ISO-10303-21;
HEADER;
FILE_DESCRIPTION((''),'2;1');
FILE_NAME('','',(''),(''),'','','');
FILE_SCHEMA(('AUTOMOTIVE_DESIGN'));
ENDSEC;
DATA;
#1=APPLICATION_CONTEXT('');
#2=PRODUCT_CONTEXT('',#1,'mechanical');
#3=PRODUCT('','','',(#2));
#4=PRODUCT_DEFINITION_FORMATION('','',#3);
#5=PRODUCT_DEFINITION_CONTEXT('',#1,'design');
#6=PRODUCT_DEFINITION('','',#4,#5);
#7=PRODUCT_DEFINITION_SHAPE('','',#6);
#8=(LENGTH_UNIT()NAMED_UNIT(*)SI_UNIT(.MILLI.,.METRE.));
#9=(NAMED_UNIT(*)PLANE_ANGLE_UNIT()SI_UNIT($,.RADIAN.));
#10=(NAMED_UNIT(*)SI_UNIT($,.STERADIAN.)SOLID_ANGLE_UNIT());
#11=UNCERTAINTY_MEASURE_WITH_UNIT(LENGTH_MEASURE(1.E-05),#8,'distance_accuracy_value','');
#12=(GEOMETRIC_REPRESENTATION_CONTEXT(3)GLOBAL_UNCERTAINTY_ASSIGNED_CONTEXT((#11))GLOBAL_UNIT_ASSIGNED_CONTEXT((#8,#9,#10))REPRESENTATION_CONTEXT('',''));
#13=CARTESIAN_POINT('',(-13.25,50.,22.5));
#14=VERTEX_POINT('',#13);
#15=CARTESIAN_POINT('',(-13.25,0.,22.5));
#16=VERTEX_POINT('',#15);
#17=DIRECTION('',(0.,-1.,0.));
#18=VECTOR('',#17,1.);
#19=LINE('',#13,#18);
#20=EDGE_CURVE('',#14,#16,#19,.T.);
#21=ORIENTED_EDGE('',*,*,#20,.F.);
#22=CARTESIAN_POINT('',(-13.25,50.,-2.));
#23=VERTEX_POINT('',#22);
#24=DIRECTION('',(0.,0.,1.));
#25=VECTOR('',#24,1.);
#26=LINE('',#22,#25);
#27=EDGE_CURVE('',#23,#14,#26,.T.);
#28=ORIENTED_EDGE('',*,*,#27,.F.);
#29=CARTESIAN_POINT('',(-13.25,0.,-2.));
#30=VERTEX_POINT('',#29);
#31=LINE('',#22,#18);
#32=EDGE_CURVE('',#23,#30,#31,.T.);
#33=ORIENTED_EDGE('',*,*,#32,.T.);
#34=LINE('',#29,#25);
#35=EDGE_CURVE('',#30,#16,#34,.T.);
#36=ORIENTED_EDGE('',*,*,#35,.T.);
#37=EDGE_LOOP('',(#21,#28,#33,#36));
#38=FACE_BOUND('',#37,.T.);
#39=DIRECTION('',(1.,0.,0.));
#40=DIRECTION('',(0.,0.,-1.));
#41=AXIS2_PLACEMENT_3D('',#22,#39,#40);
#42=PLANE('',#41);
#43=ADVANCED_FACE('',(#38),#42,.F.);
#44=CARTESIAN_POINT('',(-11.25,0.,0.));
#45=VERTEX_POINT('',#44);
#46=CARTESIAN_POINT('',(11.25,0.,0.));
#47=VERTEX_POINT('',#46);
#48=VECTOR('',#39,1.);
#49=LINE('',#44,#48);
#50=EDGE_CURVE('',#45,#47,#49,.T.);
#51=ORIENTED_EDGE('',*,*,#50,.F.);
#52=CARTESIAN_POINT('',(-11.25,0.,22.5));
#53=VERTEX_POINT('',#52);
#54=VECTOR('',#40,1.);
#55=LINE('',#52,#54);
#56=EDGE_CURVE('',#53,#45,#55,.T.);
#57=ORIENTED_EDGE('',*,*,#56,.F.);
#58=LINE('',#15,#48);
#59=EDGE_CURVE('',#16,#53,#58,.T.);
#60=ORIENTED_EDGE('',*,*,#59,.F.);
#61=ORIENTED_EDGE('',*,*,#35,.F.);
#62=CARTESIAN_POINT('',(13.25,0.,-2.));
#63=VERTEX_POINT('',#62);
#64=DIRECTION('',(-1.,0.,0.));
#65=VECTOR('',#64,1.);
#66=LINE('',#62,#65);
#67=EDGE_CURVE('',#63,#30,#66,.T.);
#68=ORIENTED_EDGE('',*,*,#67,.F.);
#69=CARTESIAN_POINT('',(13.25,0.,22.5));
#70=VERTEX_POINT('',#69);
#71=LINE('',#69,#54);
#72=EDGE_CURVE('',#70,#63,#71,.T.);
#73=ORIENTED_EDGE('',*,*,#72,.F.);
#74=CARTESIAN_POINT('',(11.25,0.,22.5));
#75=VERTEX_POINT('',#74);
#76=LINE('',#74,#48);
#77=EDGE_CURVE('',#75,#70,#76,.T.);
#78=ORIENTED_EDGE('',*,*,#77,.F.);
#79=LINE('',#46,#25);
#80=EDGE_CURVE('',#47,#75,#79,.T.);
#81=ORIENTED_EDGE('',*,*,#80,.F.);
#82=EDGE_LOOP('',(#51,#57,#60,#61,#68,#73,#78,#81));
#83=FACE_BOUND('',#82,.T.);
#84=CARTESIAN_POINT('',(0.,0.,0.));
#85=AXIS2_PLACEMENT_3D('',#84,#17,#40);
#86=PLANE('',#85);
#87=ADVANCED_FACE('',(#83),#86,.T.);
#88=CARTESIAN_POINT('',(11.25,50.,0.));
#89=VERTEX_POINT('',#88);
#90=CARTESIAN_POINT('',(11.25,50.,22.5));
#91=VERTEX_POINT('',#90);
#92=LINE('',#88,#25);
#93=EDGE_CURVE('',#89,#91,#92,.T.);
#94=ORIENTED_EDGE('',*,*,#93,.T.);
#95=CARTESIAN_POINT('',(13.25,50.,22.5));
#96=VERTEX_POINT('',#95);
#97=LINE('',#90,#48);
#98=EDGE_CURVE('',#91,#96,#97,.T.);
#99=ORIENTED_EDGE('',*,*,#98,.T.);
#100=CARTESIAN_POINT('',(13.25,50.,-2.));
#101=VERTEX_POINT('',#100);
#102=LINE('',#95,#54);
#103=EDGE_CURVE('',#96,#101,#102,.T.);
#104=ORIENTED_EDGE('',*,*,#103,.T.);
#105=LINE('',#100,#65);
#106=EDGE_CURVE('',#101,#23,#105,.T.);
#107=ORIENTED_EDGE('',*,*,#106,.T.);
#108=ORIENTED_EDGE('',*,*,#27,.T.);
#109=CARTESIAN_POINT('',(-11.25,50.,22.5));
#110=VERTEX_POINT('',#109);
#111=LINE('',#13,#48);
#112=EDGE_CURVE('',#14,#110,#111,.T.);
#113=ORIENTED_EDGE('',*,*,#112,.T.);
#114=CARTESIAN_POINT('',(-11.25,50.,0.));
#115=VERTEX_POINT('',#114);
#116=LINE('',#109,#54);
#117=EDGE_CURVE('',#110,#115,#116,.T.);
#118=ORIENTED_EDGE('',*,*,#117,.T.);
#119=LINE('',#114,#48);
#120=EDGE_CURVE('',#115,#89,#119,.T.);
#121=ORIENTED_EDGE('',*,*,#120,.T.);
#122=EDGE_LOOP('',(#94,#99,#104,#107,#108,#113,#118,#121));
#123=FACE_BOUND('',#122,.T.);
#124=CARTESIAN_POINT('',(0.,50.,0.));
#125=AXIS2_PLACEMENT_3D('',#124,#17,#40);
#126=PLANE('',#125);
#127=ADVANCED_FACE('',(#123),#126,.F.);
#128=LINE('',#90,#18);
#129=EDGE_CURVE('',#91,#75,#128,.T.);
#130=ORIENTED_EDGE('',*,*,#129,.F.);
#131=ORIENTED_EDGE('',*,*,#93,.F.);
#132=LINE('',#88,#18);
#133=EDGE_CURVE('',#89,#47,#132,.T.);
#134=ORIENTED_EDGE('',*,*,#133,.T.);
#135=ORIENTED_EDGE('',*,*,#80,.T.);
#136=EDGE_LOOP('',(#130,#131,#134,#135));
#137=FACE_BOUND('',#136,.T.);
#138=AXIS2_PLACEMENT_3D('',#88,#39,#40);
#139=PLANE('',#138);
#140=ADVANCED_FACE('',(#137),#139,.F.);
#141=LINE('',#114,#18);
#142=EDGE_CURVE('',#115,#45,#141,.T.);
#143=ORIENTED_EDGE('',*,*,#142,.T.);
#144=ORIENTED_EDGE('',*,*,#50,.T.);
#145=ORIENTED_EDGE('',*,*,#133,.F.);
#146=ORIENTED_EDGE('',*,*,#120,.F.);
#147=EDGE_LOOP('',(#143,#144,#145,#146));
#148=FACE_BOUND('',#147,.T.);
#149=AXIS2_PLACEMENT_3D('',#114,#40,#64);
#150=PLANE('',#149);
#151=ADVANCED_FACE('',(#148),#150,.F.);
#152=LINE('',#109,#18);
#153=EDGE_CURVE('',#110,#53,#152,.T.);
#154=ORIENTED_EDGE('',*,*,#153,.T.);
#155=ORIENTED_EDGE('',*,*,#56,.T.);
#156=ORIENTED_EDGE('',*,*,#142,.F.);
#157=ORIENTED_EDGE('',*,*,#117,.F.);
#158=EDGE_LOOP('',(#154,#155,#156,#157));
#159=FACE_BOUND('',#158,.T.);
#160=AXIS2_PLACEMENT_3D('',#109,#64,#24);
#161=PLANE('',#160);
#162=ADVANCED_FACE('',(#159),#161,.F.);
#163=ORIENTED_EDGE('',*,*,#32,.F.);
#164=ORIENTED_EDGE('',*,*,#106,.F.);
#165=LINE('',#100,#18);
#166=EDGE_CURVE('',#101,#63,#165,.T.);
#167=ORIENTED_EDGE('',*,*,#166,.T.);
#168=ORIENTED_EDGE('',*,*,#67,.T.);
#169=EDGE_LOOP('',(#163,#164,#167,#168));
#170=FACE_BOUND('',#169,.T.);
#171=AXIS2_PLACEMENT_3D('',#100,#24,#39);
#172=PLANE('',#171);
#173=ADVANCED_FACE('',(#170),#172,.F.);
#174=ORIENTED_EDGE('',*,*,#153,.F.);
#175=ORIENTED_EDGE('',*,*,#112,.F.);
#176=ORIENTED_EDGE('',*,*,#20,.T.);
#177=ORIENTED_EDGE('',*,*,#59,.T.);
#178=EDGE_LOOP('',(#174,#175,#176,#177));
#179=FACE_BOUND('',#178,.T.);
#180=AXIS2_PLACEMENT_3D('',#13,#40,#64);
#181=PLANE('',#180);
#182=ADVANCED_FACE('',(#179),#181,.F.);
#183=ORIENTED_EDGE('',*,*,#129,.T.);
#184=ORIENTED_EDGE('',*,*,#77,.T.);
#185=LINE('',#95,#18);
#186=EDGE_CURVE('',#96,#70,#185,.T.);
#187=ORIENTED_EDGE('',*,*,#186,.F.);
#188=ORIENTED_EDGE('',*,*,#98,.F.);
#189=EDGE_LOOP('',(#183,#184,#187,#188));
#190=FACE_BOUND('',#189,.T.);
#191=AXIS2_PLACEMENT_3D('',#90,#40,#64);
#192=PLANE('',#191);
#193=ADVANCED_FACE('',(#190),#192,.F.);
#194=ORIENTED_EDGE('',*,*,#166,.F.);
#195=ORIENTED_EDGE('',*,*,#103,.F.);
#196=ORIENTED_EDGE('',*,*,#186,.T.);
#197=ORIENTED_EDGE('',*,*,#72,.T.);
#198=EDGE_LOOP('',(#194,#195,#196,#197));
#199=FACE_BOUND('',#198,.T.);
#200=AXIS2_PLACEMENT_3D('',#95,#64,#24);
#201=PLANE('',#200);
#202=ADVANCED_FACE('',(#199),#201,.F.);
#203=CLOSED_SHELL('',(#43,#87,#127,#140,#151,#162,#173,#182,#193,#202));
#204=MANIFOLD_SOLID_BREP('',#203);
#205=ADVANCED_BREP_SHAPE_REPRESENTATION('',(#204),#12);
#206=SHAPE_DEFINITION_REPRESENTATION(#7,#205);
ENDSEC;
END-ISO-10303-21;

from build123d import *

# Parameters (mm, degrees)
BOSS_EXTRUDE1_DEPTH = 50


with BuildPart() as part:
    # Sketch1 → Boss-Extrude1 (new body)
    with BuildSketch(Plane(origin=(0, 0, 0), x_dir=(1, 0, 0), z_dir=(0, 1, 0))):
        Polygon((-11.25, 0), (11.25, 0), (11.25, -22.5), (13.25, -22.5), (13.25, 2), (-13.25, 2), (-13.25, -22.5), (-11.25, -22.5), align=None)
    extrude(amount=BOSS_EXTRUDE1_DEPTH)


solid = part.part
